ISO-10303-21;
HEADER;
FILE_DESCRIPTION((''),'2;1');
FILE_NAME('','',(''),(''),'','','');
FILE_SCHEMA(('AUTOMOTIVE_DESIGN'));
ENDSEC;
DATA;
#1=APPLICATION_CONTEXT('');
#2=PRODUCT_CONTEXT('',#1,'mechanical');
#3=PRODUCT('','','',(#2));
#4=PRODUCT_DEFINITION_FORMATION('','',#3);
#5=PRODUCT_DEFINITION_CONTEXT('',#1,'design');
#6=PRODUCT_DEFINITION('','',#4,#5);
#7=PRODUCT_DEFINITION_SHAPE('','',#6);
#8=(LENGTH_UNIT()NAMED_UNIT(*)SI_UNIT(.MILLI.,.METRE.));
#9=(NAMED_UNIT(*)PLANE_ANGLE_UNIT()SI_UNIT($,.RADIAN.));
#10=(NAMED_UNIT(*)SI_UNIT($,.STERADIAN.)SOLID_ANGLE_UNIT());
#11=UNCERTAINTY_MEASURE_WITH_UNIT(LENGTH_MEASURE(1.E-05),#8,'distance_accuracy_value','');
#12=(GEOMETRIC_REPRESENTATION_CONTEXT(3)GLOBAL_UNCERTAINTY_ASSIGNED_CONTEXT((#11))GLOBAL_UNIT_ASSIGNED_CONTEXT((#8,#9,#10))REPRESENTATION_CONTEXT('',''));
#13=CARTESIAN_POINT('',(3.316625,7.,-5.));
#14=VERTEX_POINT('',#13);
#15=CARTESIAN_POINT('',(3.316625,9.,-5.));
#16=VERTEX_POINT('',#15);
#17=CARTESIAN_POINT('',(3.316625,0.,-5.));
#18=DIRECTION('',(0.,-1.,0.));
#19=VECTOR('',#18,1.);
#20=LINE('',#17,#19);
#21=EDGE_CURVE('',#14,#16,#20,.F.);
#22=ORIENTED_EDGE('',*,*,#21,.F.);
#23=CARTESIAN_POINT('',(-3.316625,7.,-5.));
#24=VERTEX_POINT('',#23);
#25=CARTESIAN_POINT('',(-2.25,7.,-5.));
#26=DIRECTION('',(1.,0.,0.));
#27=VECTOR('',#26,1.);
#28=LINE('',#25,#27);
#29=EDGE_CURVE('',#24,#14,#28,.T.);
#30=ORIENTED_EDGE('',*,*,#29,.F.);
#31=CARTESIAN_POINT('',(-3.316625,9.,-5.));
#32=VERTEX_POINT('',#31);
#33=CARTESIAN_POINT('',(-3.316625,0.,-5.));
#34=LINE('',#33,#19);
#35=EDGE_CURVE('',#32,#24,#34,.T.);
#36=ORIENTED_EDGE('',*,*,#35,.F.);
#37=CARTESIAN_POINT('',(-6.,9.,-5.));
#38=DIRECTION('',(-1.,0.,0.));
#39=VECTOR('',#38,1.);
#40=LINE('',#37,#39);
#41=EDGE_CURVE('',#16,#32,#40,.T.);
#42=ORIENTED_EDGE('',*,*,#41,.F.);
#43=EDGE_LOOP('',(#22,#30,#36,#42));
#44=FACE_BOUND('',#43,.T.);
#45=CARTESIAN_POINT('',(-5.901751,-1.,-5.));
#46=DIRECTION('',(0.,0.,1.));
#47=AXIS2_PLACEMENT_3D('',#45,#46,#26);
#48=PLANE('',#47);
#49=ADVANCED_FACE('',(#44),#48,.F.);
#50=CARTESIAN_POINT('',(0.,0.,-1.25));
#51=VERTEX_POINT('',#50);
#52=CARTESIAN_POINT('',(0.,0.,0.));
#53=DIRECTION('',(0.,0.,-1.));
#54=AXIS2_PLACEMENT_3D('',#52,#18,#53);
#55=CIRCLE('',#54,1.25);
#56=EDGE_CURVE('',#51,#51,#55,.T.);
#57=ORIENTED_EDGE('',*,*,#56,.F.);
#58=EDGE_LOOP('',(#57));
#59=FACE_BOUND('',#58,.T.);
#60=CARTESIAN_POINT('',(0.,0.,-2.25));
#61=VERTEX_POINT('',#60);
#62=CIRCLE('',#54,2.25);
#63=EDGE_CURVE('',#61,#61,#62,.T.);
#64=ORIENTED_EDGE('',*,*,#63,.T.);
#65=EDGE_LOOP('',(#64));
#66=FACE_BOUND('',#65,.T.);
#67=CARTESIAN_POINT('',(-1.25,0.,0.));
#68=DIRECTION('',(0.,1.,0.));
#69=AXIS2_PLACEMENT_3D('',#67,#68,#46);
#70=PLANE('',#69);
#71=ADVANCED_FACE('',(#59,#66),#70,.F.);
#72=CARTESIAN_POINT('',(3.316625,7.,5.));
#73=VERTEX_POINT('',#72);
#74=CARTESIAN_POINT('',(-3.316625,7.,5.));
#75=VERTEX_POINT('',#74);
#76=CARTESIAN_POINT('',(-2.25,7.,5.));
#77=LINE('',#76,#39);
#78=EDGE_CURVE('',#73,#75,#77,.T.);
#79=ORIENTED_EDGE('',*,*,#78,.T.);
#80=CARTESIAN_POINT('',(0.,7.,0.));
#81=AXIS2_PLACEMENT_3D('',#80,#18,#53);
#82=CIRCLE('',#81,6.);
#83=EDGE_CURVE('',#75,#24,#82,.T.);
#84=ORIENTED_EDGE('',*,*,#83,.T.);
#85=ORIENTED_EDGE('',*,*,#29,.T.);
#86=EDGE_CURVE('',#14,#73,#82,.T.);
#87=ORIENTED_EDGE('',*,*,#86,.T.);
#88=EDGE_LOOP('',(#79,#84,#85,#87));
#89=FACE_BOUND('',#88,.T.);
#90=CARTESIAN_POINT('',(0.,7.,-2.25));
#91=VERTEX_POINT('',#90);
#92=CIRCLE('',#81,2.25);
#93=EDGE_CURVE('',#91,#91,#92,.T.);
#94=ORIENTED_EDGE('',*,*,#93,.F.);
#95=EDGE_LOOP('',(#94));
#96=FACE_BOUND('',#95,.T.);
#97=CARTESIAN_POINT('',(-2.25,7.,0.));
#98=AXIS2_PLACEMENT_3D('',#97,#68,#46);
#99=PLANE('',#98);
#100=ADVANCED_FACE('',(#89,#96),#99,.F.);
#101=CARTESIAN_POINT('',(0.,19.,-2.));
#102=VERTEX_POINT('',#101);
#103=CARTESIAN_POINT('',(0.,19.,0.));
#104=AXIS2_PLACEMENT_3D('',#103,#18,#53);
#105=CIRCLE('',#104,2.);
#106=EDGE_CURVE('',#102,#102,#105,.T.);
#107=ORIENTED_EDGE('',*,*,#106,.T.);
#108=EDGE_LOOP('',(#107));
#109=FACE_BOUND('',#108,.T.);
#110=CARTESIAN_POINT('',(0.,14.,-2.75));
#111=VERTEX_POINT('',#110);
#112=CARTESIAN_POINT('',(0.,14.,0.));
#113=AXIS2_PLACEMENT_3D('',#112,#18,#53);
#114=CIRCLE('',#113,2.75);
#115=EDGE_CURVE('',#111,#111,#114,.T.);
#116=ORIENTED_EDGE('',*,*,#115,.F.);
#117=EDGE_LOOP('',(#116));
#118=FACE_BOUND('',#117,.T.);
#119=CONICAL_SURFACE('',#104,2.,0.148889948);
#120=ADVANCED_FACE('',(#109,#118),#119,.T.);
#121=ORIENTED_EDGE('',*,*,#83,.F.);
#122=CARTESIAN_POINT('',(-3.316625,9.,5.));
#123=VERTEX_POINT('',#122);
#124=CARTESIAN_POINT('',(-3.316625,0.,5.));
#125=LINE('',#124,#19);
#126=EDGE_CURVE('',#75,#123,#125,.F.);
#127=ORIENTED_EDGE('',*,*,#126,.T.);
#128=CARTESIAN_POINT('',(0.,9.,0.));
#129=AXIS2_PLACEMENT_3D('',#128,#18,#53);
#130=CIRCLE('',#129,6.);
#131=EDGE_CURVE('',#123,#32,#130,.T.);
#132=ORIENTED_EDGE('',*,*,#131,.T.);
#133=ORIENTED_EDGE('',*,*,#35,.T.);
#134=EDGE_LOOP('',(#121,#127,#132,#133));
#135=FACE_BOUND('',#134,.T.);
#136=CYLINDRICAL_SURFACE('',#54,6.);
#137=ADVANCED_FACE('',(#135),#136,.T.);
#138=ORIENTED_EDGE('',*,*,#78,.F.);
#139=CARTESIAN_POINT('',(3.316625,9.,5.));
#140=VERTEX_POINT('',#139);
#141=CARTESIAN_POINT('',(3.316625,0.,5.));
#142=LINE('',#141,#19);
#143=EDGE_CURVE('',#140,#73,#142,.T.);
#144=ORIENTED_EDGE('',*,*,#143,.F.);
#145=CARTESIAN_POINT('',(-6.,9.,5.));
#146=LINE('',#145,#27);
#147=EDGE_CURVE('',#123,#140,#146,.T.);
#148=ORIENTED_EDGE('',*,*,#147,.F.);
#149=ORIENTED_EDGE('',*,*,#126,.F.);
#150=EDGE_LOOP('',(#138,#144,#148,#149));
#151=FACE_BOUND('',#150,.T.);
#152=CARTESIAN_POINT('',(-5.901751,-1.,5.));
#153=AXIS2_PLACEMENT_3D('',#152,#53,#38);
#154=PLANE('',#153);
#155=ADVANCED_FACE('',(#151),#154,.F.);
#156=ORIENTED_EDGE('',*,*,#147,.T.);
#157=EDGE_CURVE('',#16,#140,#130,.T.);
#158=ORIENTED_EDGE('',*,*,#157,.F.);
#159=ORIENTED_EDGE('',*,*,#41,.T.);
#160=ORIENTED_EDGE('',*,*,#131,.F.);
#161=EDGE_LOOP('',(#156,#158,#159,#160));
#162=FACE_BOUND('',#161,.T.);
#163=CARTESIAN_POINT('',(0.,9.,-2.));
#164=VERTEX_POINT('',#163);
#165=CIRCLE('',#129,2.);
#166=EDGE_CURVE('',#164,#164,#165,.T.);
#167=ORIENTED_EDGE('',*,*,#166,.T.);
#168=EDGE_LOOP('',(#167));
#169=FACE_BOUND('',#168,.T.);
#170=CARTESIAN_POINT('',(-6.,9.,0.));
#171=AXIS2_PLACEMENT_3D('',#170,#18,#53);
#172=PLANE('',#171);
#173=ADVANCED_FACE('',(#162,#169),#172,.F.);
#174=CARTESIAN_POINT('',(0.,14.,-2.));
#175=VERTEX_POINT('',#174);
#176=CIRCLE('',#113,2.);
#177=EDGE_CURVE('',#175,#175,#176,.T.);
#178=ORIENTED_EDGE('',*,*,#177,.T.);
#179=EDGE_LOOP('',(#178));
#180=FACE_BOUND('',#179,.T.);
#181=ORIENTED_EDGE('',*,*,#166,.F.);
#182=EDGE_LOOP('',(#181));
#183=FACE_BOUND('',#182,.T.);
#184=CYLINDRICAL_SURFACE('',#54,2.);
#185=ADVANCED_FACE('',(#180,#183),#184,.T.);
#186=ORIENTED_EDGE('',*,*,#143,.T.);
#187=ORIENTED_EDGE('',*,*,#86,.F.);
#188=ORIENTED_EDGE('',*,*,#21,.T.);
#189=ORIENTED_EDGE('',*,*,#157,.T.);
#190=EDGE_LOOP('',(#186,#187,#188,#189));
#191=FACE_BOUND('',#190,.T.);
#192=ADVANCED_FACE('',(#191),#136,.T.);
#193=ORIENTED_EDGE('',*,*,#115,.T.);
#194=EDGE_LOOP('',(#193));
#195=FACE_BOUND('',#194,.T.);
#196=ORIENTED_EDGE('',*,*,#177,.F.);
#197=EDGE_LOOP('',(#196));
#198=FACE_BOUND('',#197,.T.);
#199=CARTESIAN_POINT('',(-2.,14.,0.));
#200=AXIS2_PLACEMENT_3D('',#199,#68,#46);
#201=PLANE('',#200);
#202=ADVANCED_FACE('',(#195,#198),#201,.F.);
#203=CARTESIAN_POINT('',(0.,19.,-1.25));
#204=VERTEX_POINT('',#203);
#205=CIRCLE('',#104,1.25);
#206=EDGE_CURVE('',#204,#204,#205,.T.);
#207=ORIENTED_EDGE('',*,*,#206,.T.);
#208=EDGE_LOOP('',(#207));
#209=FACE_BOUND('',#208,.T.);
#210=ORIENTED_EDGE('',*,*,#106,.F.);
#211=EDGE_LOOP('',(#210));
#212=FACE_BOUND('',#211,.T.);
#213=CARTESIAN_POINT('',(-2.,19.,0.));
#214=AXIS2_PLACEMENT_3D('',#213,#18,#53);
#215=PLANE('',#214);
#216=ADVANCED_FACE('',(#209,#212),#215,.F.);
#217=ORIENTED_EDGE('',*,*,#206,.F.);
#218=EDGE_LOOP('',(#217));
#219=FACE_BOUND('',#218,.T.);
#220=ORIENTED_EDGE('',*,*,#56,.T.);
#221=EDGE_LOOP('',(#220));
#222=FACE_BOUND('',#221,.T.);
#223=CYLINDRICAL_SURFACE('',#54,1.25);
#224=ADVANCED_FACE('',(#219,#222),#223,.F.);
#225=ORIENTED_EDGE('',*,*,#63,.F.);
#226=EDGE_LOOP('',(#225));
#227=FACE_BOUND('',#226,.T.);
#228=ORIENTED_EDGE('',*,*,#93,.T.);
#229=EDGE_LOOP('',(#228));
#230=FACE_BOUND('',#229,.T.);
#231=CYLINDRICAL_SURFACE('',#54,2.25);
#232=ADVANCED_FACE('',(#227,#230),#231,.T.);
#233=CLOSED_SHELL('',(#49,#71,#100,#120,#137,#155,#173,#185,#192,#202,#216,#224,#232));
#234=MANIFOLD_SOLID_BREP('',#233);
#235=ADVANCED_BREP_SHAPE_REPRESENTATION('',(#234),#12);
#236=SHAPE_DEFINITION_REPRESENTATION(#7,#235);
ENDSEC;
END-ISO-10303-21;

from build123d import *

# Parameters (mm, degrees)
SKETCH_2_W          = 11.803502198
SKETCH_2_H          = 1.437820381
CUT_EXTRUDE_1_DEPTH = 10


with BuildPart() as part:
    # Эскиз1 → Повернуть1 (revolve)
    with BuildSketch(Plane.XY, mode=Mode.PRIVATE) as revolve_1_sk:
        Polygon((-1.25, 0), (-2.25, 0), (-2.25, 7), (-6, 7), (-6, 9), (-2, 9), (-2, 14), (-2.75, 14), (-2, 19), (-1.25, 19), align=None)
    revolve(revolve_1_sk.sketch.rotate(Axis((0, 0, 0), (0, 1, 0)), 270), axis=Axis((0, 0, 0), (0, 1, 0)))

    # Эскиз2 → Вырез-Вытянуть1 (cut)
    with BuildSketch(Plane(origin=(0, 9, 0), x_dir=(1, 0, 0), z_dir=(0, 1, 0))):
        with Locations((0, -5.718910191)):
            Rectangle(SKETCH_2_W, SKETCH_2_H)
        with Locations((0, 5.718910191)):
            Rectangle(SKETCH_2_W, SKETCH_2_H)
    extrude(amount=-CUT_EXTRUDE_1_DEPTH, mode=Mode.SUBTRACT)


solid = part.part
